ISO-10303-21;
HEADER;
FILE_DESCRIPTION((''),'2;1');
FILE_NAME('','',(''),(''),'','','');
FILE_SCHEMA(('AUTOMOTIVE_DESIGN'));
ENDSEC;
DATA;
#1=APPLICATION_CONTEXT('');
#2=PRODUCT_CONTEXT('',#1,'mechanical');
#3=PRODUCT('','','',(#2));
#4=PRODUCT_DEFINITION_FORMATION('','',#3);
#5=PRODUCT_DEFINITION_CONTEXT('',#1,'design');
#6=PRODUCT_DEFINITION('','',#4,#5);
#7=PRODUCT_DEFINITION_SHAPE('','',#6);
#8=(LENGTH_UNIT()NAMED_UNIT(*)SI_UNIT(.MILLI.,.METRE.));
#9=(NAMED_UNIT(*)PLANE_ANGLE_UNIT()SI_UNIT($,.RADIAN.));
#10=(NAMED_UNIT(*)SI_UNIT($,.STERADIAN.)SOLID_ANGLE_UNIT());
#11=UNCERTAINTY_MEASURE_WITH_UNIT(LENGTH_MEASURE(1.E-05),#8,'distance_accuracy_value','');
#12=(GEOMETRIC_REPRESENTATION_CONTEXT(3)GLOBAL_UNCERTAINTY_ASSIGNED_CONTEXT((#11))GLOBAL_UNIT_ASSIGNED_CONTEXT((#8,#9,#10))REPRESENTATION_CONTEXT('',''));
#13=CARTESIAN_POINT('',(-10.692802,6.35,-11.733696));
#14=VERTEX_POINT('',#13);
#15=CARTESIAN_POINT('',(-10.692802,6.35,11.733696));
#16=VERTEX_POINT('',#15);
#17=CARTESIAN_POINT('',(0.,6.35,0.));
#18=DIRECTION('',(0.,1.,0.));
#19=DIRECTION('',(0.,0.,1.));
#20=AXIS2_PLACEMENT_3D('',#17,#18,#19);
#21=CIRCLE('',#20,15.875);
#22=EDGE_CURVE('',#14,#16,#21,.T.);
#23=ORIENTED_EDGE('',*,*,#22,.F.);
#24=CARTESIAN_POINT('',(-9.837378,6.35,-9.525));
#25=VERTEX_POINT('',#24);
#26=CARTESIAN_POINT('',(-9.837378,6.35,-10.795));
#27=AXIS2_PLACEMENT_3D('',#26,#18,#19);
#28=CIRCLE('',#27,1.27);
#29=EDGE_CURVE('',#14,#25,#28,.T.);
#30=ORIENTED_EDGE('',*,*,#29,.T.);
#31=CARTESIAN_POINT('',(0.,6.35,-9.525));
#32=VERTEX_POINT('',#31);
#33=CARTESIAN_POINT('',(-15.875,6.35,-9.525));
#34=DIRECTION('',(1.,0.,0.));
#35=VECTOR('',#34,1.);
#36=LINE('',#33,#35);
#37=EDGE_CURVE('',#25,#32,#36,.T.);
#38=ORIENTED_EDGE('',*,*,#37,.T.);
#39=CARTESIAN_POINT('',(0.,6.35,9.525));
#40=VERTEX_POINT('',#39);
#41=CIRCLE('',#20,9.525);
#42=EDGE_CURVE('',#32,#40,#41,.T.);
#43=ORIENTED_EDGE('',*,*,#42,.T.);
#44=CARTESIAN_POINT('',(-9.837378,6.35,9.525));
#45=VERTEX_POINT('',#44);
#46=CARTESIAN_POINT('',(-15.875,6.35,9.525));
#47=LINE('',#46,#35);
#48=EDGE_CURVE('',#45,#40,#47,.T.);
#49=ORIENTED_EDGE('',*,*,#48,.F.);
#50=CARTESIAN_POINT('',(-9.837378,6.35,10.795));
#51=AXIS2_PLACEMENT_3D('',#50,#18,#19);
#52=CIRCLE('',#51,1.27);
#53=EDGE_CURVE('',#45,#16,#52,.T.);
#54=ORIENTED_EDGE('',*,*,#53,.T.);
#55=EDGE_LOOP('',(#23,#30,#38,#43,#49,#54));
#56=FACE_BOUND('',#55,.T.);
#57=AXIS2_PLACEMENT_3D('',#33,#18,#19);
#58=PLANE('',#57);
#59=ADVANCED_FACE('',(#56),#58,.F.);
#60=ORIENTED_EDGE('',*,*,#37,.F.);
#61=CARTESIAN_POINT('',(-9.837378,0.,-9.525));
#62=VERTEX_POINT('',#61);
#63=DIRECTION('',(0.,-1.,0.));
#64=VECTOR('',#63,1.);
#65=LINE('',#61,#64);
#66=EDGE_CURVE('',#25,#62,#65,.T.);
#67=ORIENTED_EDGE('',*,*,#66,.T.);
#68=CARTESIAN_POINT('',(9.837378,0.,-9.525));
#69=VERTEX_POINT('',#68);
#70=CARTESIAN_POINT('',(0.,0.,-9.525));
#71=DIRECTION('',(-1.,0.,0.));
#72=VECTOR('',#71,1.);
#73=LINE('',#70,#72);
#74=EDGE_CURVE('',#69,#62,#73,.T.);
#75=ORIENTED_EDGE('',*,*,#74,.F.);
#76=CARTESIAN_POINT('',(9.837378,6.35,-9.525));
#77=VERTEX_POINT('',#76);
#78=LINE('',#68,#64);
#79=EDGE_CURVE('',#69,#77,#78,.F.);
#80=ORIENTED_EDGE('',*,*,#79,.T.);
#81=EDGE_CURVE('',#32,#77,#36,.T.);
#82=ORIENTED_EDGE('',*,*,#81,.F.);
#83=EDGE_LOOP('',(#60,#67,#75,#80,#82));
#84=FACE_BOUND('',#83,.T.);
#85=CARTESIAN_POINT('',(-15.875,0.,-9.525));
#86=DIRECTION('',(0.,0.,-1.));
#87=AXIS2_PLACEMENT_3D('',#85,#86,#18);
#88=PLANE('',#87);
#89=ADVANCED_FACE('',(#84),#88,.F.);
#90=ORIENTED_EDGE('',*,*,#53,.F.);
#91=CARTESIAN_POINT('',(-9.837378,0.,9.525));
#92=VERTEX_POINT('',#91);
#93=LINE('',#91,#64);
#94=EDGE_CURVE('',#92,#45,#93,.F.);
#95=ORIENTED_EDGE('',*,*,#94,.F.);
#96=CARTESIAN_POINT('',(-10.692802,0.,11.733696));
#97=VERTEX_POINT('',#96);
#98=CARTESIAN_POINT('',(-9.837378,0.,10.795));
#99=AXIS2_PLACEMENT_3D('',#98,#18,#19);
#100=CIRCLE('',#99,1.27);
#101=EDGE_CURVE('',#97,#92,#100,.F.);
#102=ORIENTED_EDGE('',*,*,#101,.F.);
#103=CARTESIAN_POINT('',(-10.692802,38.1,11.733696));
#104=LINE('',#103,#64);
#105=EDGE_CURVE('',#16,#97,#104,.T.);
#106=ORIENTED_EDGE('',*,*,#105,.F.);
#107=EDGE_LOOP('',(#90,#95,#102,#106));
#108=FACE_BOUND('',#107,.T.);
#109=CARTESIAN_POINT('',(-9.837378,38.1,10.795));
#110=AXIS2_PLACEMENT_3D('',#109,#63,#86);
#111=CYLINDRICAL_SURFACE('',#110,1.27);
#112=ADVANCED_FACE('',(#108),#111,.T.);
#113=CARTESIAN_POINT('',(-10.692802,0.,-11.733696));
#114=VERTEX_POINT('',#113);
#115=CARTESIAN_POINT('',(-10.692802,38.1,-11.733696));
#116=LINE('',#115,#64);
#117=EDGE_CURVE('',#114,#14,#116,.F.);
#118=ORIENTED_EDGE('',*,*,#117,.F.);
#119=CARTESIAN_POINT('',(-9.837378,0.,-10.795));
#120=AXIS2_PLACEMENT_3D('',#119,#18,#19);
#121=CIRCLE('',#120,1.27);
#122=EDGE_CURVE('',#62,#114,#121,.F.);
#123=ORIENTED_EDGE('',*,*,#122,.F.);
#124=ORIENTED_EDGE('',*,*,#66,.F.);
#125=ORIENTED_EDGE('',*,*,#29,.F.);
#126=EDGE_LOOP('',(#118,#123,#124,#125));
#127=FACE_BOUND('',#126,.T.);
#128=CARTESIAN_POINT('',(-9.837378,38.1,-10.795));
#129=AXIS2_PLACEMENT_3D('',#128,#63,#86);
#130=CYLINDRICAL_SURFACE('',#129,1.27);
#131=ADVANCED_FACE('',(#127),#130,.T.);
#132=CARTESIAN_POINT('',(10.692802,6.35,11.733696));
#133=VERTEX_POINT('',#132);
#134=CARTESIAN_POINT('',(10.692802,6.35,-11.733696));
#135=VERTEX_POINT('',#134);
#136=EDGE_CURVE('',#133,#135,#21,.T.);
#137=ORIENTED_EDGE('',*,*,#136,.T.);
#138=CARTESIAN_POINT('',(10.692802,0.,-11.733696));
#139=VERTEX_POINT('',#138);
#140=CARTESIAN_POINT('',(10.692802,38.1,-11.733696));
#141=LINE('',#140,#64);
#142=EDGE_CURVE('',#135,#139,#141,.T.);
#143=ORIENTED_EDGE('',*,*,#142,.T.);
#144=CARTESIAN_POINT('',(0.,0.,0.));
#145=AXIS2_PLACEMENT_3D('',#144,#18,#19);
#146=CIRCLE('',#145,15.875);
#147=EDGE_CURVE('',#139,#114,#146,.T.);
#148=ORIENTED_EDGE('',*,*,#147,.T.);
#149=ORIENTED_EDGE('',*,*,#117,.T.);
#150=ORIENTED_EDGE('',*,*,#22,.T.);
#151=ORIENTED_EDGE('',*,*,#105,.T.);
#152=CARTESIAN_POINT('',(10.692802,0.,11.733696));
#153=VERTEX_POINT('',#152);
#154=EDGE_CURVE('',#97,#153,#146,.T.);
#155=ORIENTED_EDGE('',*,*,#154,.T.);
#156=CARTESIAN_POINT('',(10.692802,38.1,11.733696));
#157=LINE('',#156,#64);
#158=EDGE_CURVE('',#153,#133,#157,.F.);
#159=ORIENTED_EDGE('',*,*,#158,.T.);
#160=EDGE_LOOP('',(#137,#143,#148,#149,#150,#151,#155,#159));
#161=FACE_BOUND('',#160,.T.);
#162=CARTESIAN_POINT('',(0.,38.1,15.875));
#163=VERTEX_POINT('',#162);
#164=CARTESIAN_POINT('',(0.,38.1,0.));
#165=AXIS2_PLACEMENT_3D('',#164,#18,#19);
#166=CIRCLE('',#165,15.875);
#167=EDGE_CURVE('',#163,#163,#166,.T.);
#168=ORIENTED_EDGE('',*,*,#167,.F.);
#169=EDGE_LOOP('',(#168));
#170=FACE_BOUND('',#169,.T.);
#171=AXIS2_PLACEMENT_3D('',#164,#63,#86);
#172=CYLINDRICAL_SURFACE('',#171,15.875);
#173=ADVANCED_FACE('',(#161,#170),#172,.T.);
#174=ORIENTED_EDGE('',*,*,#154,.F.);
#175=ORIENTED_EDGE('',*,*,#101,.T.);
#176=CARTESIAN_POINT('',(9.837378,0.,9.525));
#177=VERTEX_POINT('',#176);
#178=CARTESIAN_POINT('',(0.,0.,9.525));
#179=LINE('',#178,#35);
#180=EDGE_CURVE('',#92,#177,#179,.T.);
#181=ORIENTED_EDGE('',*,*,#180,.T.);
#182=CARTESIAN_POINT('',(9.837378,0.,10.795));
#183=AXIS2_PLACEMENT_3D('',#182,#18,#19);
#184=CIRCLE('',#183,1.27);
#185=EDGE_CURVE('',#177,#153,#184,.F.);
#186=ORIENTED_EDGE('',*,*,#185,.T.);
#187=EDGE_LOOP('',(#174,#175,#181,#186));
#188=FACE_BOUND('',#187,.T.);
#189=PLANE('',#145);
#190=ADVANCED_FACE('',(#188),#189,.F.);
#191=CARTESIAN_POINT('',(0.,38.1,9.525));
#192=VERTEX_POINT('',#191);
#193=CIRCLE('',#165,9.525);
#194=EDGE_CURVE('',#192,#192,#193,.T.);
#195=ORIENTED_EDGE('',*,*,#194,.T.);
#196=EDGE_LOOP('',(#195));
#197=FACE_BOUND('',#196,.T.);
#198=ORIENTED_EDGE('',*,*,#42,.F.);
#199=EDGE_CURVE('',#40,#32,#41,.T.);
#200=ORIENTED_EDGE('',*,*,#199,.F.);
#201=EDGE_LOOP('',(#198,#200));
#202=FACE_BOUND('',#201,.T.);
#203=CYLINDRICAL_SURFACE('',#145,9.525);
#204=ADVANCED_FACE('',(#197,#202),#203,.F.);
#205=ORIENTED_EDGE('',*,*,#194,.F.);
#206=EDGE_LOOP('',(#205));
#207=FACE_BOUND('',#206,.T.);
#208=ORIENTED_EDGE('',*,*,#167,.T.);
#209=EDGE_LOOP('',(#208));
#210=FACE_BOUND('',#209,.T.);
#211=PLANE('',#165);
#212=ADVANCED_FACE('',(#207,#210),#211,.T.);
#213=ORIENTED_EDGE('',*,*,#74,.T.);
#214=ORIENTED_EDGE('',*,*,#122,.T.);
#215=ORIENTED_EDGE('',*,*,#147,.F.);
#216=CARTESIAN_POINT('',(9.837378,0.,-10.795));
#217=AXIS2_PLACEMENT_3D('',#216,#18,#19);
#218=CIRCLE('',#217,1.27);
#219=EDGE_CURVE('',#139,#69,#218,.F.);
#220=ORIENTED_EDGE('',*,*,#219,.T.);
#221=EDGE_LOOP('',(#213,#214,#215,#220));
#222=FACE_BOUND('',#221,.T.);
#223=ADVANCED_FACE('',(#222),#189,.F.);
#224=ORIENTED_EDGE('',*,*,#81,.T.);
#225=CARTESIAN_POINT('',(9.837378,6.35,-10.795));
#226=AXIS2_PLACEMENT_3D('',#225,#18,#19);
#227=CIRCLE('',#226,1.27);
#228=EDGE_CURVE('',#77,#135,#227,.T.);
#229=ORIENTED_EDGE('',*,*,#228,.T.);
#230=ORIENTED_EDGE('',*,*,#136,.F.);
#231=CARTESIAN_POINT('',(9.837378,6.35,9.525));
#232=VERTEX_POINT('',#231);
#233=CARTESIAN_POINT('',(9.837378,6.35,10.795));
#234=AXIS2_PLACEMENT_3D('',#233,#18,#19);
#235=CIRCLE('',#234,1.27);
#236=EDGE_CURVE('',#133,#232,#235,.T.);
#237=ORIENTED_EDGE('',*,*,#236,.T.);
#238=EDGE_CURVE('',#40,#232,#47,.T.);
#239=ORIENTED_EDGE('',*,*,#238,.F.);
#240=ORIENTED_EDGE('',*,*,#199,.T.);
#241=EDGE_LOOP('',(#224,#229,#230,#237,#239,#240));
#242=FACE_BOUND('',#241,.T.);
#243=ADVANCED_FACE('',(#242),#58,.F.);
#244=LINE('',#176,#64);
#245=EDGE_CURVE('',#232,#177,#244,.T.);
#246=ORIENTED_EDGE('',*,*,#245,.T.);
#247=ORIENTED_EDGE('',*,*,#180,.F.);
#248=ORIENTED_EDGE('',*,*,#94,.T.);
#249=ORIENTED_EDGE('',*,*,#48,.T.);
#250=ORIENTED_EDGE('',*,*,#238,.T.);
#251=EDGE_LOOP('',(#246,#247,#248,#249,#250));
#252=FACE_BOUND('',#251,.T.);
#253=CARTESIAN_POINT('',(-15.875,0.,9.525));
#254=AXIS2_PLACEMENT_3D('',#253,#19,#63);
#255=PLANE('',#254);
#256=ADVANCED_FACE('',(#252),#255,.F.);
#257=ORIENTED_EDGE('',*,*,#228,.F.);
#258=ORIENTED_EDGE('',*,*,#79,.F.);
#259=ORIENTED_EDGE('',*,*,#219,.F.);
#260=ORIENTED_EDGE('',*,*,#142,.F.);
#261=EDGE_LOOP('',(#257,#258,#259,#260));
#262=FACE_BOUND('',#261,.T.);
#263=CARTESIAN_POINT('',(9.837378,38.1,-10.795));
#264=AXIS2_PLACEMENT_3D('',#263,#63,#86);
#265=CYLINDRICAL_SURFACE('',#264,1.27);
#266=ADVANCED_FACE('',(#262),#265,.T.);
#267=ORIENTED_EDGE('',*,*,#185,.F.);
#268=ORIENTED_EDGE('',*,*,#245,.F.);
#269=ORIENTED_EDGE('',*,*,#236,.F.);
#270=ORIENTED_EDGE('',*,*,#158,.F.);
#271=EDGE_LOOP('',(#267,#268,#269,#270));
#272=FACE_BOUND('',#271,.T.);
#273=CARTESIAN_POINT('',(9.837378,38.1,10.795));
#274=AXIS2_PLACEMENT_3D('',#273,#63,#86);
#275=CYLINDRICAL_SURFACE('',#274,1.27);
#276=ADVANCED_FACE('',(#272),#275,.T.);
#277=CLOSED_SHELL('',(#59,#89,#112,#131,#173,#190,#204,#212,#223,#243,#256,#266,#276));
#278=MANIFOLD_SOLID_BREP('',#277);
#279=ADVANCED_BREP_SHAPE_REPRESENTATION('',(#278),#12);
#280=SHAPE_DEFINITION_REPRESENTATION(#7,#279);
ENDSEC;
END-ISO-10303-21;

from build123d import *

# Parameters (mm, degrees)
SKETCH1_R               = 15.875
BOSS_EXTRUDE1_DEPTH     = 38.1
CUT_EXTRUDE1_DEPTH      = 45.22263278
CUT_EXTRUDE1_DEPTH_BACK = 45.22263278
SKETCH2_W               = 19.05
SKETCH2_H               = 6.35
SKETCH3_R               = 9.525
CUT_EXTRUDE2_DEPTH      = 45.22263278
FILLET1_R               = 1.27


with BuildPart() as part:
    # Sketch1 → Boss-Extrude1 (new body)
    with BuildSketch(Plane(origin=(0, 0, 0), x_dir=(1, 0, 0), z_dir=(0, 1, 0))):
        with Locations(Location((0, 0, 0), (0, 0, 270))):
            Circle(SKETCH1_R)
    extrude(amount=BOSS_EXTRUDE1_DEPTH)

    # Sketch2 → Cut-Extrude1 (cut, two sides: drawn at the far end of the back side and taken through both)
    with BuildSketch(Plane(origin=(0, 0, 0), x_dir=(0, 0, -1), z_dir=(1, 0, 0)).offset(-CUT_EXTRUDE1_DEPTH_BACK)):
        with Locations((0, 3.175)):
            Rectangle(SKETCH2_W, SKETCH2_H)
    extrude(amount=CUT_EXTRUDE1_DEPTH + CUT_EXTRUDE1_DEPTH_BACK, mode=Mode.SUBTRACT)

    # Sketch3 → Cut-Extrude2 (cut, through all)
    with BuildSketch(Plane(origin=(0, 38.1, 0), x_dir=(1, 0, 0), z_dir=(0, 1, 0))):
        with Locations(Location((0, 0, 0), (0, 0, 270))):
            Circle(SKETCH3_R)
    extrude(amount=-CUT_EXTRUDE2_DEPTH, mode=Mode.SUBTRACT)

    # Fillet1
    fillet1_edges = [part.edges().sort_by_distance(p)[0] for p in [
        (-12.7, 3.175, 9.525),
        (12.7, 3.175, 9.525),
        (12.7, 3.175, -9.525),
        (-12.7, 3.175, -9.525),
    ]]
    fillet(fillet1_edges, radius=FILLET1_R)


solid = part.part
